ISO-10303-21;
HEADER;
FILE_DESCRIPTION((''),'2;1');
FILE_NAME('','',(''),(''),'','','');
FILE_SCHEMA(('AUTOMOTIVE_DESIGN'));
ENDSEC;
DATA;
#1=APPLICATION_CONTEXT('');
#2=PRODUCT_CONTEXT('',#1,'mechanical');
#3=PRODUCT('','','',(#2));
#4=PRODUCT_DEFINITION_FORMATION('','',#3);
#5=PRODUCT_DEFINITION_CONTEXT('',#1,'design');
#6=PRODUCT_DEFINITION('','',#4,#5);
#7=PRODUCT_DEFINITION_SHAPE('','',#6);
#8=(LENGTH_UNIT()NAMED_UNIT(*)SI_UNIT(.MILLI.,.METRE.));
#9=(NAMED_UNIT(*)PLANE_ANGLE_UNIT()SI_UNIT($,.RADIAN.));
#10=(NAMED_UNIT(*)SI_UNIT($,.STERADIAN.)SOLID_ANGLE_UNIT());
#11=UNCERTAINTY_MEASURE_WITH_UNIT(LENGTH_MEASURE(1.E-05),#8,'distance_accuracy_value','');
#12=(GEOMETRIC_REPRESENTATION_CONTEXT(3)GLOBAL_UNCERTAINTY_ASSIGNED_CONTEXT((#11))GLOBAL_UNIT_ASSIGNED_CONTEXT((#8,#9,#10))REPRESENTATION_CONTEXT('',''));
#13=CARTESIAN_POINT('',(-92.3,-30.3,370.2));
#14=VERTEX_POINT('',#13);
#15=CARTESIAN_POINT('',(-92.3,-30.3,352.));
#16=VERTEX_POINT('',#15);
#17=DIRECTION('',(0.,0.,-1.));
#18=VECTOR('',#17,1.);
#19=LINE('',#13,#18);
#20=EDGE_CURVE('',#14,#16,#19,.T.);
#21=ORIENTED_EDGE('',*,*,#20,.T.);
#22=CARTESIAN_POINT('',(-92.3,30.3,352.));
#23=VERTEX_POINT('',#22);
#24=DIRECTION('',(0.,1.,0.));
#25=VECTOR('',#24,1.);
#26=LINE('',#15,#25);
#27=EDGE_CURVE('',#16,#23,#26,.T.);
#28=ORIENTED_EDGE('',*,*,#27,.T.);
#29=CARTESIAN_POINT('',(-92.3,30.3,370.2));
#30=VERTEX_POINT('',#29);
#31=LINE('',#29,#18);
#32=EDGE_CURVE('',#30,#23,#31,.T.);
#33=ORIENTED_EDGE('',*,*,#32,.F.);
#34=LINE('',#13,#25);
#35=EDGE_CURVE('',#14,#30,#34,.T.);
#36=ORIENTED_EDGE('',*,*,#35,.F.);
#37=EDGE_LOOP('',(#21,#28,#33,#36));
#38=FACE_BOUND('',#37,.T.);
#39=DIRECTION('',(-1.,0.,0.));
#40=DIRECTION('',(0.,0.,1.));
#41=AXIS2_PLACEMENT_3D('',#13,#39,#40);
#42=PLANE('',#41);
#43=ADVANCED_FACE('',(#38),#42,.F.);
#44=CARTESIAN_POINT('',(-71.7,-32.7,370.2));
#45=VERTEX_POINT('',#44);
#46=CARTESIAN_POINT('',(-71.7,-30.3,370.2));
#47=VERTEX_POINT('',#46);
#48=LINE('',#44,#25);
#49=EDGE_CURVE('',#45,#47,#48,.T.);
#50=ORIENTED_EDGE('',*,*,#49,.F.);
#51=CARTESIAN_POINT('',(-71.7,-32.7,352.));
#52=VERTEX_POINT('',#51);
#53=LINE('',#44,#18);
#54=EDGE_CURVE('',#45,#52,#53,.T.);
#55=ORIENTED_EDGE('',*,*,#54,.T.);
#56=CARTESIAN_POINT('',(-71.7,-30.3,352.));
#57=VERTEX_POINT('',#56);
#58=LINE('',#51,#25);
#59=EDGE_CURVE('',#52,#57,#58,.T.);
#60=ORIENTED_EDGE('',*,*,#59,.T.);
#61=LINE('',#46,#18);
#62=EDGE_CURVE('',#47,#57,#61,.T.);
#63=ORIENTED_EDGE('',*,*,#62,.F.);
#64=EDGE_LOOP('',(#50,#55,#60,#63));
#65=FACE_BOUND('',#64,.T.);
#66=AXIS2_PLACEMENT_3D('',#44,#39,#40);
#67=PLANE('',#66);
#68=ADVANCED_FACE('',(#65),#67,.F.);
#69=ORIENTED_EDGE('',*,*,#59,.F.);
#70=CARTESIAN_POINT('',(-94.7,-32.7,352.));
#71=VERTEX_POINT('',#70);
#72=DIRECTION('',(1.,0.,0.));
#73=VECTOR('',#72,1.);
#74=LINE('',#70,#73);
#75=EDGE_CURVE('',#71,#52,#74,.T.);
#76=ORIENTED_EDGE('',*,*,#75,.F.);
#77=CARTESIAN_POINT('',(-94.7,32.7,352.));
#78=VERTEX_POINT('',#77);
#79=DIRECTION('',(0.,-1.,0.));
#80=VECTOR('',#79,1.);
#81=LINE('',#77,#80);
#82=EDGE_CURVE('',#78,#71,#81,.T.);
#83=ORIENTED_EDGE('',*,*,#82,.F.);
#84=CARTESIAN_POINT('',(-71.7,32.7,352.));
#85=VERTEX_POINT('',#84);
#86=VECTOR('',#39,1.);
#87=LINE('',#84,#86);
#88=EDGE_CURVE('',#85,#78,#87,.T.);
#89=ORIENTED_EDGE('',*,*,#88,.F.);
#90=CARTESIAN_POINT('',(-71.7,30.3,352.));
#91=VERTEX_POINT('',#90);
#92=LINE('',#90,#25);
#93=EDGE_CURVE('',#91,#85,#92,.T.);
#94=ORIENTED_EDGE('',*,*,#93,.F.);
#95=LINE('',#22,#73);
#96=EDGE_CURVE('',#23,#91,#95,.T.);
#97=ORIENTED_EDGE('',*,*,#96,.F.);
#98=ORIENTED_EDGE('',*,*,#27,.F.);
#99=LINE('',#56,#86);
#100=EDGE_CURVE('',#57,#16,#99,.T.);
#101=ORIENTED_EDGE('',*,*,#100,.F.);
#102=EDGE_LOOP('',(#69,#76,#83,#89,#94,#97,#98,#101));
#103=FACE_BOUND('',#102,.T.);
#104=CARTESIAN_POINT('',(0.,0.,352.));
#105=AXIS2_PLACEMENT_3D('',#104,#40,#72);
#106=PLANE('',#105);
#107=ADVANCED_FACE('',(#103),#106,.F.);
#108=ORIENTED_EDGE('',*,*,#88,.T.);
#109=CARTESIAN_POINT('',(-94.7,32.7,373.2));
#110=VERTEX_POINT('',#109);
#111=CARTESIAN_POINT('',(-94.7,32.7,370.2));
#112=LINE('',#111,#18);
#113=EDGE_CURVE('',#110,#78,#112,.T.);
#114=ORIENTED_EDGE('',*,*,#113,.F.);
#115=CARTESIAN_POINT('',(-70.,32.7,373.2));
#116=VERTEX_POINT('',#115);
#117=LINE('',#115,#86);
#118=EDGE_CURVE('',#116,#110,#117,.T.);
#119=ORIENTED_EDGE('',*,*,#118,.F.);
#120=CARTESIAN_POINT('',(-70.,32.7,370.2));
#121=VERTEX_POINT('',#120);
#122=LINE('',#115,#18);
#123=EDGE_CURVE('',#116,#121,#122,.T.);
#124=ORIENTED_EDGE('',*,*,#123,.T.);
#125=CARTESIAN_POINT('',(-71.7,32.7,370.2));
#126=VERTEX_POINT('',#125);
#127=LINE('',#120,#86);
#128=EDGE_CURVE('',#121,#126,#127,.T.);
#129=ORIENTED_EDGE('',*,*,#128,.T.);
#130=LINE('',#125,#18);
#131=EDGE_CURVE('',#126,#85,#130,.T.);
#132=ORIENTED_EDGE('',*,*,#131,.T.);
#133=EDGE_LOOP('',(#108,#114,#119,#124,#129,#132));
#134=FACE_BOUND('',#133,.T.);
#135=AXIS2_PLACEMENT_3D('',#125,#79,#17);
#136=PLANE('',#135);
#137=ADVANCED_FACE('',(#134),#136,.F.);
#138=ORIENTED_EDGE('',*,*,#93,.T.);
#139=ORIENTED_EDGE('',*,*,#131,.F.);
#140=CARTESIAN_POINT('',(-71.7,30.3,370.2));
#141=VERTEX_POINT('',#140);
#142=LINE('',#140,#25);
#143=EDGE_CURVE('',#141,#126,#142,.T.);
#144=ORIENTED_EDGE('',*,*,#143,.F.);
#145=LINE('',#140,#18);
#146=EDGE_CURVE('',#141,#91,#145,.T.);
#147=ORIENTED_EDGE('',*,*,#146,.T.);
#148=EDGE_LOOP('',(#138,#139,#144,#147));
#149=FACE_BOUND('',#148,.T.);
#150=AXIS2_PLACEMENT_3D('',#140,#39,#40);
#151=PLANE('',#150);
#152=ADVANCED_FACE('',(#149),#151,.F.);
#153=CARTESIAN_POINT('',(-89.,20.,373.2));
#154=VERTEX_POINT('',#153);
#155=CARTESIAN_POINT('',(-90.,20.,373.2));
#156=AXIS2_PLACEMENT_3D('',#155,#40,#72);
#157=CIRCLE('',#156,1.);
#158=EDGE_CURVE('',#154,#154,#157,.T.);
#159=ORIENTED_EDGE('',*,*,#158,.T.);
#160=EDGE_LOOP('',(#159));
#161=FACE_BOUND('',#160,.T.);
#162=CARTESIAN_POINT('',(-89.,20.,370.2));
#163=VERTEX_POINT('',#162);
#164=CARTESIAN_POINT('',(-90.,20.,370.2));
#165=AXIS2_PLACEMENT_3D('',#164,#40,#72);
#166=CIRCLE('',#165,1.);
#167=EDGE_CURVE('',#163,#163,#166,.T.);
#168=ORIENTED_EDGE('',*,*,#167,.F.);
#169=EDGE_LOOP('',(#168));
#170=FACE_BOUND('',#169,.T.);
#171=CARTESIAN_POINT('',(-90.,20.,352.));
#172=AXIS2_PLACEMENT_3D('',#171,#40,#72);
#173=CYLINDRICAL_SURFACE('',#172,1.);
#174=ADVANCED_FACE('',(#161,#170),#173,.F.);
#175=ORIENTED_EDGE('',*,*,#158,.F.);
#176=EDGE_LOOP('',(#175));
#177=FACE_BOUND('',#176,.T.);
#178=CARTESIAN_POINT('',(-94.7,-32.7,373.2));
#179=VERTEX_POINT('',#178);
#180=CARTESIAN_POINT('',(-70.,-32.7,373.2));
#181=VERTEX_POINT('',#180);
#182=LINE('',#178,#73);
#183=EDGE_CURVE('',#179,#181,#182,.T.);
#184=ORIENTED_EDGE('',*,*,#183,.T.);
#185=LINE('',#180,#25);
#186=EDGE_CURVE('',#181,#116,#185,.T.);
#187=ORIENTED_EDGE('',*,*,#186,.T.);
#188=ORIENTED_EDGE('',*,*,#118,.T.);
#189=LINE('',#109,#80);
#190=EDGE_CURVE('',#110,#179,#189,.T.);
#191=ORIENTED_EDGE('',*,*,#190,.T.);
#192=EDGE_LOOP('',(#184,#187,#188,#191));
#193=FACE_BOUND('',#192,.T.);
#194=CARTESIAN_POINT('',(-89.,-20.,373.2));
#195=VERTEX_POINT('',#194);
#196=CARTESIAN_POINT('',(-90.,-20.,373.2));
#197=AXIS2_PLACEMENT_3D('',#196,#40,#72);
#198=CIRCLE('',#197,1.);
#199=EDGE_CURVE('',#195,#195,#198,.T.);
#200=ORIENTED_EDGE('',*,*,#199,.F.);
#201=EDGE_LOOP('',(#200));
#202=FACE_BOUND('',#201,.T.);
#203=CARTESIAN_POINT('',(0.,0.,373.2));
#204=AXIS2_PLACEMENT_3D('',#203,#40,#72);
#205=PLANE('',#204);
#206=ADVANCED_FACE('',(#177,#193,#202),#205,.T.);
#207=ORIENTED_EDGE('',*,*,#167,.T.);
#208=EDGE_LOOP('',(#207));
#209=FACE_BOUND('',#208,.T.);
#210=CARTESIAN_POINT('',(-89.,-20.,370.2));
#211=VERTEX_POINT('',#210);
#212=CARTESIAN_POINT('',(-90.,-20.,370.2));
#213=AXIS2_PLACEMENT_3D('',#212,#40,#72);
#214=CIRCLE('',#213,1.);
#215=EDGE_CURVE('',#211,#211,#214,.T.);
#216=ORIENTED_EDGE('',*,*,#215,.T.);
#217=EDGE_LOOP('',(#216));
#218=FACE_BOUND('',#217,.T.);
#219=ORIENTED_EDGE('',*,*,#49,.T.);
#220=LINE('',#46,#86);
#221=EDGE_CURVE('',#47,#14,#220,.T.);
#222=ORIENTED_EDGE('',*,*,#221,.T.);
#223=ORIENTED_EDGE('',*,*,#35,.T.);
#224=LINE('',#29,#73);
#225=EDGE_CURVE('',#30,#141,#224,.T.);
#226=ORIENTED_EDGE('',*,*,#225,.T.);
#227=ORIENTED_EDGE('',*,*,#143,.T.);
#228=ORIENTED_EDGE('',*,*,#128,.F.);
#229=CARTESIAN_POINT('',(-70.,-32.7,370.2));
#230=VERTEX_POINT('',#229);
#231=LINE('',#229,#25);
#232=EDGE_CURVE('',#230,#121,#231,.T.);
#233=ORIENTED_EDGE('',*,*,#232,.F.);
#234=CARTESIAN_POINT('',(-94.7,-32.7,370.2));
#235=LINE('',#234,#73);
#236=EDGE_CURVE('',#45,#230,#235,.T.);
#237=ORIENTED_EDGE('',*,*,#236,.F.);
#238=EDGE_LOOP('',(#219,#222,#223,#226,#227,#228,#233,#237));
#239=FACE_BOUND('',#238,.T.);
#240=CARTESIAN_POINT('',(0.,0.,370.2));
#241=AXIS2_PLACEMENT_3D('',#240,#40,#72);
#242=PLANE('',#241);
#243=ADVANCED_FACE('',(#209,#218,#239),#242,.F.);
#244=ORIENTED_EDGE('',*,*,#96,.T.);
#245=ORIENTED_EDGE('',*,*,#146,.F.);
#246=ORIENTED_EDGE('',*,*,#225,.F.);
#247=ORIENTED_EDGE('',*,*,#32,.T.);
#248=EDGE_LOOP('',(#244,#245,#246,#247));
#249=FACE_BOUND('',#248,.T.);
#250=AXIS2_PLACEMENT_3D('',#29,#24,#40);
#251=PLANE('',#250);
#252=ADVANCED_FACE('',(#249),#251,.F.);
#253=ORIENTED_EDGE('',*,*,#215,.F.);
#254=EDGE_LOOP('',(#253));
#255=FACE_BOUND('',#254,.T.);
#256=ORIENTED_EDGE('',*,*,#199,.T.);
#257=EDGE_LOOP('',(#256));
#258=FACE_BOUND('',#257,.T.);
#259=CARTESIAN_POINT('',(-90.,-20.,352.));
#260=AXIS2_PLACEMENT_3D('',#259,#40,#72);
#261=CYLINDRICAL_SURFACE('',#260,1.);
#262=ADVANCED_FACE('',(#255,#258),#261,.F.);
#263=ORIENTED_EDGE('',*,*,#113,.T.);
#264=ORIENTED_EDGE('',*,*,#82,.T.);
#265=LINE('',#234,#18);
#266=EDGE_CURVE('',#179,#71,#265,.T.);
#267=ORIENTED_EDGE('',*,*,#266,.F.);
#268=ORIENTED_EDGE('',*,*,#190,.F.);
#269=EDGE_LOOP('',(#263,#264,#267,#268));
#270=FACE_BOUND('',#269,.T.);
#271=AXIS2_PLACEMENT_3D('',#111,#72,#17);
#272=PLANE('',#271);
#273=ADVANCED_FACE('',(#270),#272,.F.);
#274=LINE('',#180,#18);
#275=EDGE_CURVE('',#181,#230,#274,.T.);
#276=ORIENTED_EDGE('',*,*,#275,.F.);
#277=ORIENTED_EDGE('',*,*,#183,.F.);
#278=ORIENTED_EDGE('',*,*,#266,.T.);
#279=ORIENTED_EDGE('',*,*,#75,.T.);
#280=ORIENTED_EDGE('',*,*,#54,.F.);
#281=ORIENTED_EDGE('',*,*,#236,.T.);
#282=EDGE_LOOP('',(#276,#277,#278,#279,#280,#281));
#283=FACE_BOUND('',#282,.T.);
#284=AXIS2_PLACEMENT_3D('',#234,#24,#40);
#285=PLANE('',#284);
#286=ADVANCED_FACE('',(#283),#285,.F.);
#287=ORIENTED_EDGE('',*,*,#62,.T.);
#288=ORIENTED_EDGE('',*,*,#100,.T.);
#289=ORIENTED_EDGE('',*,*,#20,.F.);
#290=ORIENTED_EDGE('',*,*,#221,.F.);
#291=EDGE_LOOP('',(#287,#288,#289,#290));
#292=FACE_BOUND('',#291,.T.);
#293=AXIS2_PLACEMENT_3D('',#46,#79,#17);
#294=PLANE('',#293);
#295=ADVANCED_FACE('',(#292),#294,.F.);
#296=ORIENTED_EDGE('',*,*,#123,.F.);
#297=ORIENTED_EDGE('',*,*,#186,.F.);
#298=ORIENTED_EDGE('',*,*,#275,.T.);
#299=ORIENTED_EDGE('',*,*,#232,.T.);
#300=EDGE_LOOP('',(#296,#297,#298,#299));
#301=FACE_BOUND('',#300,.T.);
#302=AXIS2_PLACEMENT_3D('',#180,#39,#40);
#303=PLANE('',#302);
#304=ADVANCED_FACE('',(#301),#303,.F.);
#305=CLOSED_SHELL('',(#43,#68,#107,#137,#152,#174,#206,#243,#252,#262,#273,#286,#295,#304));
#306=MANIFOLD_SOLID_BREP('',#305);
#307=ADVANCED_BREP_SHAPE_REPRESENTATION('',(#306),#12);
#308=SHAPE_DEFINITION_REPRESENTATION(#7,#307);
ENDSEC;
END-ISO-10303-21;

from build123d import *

# Parameters (mm, degrees)
U_SKIRT_DEPTH                 = 18.2
SKETCH2_W                     = 24.7
SKETCH2_H                     = 65.4
TOP_PLATE_DEPTH               = 3
FILAMENT_PIN_HOLES_DEPTH      = 102.826420933
FILAMENT_PIN_HOLES_DEPTH_BACK = 102.826420933
SKETCH3_R                     = 1


with BuildPart() as part:
    # Sketch1 → U_skirt (new body)
    with BuildSketch(Plane.XY.offset(352)):
        Polygon((-94.7, -32.7), (-71.7, -32.7), (-71.7, -30.3), (-92.3, -30.3), (-92.3, 30.3), (-71.7, 30.3), (-71.7, 32.7), (-94.7, 32.7), align=None)
    extrude(amount=U_SKIRT_DEPTH)

    # Sketch2 → Top_plate (add)
    with BuildSketch(Plane.XY.offset(370.2)):
        with Locations((-82.35, 0)):
            Rectangle(SKETCH2_W, SKETCH2_H)
    extrude(amount=TOP_PLATE_DEPTH)

    # Sketch3 → Filament_pin_holes (cut, two sides: drawn at the far end of the back side and taken through both)
    with BuildSketch(Plane.XY.offset(370.2).offset(-FILAMENT_PIN_HOLES_DEPTH_BACK)):
        with Locations((-90, 20)):
            Circle(SKETCH3_R)
        with Locations((-90, -20)):
            Circle(SKETCH3_R)
    extrude(amount=FILAMENT_PIN_HOLES_DEPTH + FILAMENT_PIN_HOLES_DEPTH_BACK, mode=Mode.SUBTRACT)


solid = part.part
